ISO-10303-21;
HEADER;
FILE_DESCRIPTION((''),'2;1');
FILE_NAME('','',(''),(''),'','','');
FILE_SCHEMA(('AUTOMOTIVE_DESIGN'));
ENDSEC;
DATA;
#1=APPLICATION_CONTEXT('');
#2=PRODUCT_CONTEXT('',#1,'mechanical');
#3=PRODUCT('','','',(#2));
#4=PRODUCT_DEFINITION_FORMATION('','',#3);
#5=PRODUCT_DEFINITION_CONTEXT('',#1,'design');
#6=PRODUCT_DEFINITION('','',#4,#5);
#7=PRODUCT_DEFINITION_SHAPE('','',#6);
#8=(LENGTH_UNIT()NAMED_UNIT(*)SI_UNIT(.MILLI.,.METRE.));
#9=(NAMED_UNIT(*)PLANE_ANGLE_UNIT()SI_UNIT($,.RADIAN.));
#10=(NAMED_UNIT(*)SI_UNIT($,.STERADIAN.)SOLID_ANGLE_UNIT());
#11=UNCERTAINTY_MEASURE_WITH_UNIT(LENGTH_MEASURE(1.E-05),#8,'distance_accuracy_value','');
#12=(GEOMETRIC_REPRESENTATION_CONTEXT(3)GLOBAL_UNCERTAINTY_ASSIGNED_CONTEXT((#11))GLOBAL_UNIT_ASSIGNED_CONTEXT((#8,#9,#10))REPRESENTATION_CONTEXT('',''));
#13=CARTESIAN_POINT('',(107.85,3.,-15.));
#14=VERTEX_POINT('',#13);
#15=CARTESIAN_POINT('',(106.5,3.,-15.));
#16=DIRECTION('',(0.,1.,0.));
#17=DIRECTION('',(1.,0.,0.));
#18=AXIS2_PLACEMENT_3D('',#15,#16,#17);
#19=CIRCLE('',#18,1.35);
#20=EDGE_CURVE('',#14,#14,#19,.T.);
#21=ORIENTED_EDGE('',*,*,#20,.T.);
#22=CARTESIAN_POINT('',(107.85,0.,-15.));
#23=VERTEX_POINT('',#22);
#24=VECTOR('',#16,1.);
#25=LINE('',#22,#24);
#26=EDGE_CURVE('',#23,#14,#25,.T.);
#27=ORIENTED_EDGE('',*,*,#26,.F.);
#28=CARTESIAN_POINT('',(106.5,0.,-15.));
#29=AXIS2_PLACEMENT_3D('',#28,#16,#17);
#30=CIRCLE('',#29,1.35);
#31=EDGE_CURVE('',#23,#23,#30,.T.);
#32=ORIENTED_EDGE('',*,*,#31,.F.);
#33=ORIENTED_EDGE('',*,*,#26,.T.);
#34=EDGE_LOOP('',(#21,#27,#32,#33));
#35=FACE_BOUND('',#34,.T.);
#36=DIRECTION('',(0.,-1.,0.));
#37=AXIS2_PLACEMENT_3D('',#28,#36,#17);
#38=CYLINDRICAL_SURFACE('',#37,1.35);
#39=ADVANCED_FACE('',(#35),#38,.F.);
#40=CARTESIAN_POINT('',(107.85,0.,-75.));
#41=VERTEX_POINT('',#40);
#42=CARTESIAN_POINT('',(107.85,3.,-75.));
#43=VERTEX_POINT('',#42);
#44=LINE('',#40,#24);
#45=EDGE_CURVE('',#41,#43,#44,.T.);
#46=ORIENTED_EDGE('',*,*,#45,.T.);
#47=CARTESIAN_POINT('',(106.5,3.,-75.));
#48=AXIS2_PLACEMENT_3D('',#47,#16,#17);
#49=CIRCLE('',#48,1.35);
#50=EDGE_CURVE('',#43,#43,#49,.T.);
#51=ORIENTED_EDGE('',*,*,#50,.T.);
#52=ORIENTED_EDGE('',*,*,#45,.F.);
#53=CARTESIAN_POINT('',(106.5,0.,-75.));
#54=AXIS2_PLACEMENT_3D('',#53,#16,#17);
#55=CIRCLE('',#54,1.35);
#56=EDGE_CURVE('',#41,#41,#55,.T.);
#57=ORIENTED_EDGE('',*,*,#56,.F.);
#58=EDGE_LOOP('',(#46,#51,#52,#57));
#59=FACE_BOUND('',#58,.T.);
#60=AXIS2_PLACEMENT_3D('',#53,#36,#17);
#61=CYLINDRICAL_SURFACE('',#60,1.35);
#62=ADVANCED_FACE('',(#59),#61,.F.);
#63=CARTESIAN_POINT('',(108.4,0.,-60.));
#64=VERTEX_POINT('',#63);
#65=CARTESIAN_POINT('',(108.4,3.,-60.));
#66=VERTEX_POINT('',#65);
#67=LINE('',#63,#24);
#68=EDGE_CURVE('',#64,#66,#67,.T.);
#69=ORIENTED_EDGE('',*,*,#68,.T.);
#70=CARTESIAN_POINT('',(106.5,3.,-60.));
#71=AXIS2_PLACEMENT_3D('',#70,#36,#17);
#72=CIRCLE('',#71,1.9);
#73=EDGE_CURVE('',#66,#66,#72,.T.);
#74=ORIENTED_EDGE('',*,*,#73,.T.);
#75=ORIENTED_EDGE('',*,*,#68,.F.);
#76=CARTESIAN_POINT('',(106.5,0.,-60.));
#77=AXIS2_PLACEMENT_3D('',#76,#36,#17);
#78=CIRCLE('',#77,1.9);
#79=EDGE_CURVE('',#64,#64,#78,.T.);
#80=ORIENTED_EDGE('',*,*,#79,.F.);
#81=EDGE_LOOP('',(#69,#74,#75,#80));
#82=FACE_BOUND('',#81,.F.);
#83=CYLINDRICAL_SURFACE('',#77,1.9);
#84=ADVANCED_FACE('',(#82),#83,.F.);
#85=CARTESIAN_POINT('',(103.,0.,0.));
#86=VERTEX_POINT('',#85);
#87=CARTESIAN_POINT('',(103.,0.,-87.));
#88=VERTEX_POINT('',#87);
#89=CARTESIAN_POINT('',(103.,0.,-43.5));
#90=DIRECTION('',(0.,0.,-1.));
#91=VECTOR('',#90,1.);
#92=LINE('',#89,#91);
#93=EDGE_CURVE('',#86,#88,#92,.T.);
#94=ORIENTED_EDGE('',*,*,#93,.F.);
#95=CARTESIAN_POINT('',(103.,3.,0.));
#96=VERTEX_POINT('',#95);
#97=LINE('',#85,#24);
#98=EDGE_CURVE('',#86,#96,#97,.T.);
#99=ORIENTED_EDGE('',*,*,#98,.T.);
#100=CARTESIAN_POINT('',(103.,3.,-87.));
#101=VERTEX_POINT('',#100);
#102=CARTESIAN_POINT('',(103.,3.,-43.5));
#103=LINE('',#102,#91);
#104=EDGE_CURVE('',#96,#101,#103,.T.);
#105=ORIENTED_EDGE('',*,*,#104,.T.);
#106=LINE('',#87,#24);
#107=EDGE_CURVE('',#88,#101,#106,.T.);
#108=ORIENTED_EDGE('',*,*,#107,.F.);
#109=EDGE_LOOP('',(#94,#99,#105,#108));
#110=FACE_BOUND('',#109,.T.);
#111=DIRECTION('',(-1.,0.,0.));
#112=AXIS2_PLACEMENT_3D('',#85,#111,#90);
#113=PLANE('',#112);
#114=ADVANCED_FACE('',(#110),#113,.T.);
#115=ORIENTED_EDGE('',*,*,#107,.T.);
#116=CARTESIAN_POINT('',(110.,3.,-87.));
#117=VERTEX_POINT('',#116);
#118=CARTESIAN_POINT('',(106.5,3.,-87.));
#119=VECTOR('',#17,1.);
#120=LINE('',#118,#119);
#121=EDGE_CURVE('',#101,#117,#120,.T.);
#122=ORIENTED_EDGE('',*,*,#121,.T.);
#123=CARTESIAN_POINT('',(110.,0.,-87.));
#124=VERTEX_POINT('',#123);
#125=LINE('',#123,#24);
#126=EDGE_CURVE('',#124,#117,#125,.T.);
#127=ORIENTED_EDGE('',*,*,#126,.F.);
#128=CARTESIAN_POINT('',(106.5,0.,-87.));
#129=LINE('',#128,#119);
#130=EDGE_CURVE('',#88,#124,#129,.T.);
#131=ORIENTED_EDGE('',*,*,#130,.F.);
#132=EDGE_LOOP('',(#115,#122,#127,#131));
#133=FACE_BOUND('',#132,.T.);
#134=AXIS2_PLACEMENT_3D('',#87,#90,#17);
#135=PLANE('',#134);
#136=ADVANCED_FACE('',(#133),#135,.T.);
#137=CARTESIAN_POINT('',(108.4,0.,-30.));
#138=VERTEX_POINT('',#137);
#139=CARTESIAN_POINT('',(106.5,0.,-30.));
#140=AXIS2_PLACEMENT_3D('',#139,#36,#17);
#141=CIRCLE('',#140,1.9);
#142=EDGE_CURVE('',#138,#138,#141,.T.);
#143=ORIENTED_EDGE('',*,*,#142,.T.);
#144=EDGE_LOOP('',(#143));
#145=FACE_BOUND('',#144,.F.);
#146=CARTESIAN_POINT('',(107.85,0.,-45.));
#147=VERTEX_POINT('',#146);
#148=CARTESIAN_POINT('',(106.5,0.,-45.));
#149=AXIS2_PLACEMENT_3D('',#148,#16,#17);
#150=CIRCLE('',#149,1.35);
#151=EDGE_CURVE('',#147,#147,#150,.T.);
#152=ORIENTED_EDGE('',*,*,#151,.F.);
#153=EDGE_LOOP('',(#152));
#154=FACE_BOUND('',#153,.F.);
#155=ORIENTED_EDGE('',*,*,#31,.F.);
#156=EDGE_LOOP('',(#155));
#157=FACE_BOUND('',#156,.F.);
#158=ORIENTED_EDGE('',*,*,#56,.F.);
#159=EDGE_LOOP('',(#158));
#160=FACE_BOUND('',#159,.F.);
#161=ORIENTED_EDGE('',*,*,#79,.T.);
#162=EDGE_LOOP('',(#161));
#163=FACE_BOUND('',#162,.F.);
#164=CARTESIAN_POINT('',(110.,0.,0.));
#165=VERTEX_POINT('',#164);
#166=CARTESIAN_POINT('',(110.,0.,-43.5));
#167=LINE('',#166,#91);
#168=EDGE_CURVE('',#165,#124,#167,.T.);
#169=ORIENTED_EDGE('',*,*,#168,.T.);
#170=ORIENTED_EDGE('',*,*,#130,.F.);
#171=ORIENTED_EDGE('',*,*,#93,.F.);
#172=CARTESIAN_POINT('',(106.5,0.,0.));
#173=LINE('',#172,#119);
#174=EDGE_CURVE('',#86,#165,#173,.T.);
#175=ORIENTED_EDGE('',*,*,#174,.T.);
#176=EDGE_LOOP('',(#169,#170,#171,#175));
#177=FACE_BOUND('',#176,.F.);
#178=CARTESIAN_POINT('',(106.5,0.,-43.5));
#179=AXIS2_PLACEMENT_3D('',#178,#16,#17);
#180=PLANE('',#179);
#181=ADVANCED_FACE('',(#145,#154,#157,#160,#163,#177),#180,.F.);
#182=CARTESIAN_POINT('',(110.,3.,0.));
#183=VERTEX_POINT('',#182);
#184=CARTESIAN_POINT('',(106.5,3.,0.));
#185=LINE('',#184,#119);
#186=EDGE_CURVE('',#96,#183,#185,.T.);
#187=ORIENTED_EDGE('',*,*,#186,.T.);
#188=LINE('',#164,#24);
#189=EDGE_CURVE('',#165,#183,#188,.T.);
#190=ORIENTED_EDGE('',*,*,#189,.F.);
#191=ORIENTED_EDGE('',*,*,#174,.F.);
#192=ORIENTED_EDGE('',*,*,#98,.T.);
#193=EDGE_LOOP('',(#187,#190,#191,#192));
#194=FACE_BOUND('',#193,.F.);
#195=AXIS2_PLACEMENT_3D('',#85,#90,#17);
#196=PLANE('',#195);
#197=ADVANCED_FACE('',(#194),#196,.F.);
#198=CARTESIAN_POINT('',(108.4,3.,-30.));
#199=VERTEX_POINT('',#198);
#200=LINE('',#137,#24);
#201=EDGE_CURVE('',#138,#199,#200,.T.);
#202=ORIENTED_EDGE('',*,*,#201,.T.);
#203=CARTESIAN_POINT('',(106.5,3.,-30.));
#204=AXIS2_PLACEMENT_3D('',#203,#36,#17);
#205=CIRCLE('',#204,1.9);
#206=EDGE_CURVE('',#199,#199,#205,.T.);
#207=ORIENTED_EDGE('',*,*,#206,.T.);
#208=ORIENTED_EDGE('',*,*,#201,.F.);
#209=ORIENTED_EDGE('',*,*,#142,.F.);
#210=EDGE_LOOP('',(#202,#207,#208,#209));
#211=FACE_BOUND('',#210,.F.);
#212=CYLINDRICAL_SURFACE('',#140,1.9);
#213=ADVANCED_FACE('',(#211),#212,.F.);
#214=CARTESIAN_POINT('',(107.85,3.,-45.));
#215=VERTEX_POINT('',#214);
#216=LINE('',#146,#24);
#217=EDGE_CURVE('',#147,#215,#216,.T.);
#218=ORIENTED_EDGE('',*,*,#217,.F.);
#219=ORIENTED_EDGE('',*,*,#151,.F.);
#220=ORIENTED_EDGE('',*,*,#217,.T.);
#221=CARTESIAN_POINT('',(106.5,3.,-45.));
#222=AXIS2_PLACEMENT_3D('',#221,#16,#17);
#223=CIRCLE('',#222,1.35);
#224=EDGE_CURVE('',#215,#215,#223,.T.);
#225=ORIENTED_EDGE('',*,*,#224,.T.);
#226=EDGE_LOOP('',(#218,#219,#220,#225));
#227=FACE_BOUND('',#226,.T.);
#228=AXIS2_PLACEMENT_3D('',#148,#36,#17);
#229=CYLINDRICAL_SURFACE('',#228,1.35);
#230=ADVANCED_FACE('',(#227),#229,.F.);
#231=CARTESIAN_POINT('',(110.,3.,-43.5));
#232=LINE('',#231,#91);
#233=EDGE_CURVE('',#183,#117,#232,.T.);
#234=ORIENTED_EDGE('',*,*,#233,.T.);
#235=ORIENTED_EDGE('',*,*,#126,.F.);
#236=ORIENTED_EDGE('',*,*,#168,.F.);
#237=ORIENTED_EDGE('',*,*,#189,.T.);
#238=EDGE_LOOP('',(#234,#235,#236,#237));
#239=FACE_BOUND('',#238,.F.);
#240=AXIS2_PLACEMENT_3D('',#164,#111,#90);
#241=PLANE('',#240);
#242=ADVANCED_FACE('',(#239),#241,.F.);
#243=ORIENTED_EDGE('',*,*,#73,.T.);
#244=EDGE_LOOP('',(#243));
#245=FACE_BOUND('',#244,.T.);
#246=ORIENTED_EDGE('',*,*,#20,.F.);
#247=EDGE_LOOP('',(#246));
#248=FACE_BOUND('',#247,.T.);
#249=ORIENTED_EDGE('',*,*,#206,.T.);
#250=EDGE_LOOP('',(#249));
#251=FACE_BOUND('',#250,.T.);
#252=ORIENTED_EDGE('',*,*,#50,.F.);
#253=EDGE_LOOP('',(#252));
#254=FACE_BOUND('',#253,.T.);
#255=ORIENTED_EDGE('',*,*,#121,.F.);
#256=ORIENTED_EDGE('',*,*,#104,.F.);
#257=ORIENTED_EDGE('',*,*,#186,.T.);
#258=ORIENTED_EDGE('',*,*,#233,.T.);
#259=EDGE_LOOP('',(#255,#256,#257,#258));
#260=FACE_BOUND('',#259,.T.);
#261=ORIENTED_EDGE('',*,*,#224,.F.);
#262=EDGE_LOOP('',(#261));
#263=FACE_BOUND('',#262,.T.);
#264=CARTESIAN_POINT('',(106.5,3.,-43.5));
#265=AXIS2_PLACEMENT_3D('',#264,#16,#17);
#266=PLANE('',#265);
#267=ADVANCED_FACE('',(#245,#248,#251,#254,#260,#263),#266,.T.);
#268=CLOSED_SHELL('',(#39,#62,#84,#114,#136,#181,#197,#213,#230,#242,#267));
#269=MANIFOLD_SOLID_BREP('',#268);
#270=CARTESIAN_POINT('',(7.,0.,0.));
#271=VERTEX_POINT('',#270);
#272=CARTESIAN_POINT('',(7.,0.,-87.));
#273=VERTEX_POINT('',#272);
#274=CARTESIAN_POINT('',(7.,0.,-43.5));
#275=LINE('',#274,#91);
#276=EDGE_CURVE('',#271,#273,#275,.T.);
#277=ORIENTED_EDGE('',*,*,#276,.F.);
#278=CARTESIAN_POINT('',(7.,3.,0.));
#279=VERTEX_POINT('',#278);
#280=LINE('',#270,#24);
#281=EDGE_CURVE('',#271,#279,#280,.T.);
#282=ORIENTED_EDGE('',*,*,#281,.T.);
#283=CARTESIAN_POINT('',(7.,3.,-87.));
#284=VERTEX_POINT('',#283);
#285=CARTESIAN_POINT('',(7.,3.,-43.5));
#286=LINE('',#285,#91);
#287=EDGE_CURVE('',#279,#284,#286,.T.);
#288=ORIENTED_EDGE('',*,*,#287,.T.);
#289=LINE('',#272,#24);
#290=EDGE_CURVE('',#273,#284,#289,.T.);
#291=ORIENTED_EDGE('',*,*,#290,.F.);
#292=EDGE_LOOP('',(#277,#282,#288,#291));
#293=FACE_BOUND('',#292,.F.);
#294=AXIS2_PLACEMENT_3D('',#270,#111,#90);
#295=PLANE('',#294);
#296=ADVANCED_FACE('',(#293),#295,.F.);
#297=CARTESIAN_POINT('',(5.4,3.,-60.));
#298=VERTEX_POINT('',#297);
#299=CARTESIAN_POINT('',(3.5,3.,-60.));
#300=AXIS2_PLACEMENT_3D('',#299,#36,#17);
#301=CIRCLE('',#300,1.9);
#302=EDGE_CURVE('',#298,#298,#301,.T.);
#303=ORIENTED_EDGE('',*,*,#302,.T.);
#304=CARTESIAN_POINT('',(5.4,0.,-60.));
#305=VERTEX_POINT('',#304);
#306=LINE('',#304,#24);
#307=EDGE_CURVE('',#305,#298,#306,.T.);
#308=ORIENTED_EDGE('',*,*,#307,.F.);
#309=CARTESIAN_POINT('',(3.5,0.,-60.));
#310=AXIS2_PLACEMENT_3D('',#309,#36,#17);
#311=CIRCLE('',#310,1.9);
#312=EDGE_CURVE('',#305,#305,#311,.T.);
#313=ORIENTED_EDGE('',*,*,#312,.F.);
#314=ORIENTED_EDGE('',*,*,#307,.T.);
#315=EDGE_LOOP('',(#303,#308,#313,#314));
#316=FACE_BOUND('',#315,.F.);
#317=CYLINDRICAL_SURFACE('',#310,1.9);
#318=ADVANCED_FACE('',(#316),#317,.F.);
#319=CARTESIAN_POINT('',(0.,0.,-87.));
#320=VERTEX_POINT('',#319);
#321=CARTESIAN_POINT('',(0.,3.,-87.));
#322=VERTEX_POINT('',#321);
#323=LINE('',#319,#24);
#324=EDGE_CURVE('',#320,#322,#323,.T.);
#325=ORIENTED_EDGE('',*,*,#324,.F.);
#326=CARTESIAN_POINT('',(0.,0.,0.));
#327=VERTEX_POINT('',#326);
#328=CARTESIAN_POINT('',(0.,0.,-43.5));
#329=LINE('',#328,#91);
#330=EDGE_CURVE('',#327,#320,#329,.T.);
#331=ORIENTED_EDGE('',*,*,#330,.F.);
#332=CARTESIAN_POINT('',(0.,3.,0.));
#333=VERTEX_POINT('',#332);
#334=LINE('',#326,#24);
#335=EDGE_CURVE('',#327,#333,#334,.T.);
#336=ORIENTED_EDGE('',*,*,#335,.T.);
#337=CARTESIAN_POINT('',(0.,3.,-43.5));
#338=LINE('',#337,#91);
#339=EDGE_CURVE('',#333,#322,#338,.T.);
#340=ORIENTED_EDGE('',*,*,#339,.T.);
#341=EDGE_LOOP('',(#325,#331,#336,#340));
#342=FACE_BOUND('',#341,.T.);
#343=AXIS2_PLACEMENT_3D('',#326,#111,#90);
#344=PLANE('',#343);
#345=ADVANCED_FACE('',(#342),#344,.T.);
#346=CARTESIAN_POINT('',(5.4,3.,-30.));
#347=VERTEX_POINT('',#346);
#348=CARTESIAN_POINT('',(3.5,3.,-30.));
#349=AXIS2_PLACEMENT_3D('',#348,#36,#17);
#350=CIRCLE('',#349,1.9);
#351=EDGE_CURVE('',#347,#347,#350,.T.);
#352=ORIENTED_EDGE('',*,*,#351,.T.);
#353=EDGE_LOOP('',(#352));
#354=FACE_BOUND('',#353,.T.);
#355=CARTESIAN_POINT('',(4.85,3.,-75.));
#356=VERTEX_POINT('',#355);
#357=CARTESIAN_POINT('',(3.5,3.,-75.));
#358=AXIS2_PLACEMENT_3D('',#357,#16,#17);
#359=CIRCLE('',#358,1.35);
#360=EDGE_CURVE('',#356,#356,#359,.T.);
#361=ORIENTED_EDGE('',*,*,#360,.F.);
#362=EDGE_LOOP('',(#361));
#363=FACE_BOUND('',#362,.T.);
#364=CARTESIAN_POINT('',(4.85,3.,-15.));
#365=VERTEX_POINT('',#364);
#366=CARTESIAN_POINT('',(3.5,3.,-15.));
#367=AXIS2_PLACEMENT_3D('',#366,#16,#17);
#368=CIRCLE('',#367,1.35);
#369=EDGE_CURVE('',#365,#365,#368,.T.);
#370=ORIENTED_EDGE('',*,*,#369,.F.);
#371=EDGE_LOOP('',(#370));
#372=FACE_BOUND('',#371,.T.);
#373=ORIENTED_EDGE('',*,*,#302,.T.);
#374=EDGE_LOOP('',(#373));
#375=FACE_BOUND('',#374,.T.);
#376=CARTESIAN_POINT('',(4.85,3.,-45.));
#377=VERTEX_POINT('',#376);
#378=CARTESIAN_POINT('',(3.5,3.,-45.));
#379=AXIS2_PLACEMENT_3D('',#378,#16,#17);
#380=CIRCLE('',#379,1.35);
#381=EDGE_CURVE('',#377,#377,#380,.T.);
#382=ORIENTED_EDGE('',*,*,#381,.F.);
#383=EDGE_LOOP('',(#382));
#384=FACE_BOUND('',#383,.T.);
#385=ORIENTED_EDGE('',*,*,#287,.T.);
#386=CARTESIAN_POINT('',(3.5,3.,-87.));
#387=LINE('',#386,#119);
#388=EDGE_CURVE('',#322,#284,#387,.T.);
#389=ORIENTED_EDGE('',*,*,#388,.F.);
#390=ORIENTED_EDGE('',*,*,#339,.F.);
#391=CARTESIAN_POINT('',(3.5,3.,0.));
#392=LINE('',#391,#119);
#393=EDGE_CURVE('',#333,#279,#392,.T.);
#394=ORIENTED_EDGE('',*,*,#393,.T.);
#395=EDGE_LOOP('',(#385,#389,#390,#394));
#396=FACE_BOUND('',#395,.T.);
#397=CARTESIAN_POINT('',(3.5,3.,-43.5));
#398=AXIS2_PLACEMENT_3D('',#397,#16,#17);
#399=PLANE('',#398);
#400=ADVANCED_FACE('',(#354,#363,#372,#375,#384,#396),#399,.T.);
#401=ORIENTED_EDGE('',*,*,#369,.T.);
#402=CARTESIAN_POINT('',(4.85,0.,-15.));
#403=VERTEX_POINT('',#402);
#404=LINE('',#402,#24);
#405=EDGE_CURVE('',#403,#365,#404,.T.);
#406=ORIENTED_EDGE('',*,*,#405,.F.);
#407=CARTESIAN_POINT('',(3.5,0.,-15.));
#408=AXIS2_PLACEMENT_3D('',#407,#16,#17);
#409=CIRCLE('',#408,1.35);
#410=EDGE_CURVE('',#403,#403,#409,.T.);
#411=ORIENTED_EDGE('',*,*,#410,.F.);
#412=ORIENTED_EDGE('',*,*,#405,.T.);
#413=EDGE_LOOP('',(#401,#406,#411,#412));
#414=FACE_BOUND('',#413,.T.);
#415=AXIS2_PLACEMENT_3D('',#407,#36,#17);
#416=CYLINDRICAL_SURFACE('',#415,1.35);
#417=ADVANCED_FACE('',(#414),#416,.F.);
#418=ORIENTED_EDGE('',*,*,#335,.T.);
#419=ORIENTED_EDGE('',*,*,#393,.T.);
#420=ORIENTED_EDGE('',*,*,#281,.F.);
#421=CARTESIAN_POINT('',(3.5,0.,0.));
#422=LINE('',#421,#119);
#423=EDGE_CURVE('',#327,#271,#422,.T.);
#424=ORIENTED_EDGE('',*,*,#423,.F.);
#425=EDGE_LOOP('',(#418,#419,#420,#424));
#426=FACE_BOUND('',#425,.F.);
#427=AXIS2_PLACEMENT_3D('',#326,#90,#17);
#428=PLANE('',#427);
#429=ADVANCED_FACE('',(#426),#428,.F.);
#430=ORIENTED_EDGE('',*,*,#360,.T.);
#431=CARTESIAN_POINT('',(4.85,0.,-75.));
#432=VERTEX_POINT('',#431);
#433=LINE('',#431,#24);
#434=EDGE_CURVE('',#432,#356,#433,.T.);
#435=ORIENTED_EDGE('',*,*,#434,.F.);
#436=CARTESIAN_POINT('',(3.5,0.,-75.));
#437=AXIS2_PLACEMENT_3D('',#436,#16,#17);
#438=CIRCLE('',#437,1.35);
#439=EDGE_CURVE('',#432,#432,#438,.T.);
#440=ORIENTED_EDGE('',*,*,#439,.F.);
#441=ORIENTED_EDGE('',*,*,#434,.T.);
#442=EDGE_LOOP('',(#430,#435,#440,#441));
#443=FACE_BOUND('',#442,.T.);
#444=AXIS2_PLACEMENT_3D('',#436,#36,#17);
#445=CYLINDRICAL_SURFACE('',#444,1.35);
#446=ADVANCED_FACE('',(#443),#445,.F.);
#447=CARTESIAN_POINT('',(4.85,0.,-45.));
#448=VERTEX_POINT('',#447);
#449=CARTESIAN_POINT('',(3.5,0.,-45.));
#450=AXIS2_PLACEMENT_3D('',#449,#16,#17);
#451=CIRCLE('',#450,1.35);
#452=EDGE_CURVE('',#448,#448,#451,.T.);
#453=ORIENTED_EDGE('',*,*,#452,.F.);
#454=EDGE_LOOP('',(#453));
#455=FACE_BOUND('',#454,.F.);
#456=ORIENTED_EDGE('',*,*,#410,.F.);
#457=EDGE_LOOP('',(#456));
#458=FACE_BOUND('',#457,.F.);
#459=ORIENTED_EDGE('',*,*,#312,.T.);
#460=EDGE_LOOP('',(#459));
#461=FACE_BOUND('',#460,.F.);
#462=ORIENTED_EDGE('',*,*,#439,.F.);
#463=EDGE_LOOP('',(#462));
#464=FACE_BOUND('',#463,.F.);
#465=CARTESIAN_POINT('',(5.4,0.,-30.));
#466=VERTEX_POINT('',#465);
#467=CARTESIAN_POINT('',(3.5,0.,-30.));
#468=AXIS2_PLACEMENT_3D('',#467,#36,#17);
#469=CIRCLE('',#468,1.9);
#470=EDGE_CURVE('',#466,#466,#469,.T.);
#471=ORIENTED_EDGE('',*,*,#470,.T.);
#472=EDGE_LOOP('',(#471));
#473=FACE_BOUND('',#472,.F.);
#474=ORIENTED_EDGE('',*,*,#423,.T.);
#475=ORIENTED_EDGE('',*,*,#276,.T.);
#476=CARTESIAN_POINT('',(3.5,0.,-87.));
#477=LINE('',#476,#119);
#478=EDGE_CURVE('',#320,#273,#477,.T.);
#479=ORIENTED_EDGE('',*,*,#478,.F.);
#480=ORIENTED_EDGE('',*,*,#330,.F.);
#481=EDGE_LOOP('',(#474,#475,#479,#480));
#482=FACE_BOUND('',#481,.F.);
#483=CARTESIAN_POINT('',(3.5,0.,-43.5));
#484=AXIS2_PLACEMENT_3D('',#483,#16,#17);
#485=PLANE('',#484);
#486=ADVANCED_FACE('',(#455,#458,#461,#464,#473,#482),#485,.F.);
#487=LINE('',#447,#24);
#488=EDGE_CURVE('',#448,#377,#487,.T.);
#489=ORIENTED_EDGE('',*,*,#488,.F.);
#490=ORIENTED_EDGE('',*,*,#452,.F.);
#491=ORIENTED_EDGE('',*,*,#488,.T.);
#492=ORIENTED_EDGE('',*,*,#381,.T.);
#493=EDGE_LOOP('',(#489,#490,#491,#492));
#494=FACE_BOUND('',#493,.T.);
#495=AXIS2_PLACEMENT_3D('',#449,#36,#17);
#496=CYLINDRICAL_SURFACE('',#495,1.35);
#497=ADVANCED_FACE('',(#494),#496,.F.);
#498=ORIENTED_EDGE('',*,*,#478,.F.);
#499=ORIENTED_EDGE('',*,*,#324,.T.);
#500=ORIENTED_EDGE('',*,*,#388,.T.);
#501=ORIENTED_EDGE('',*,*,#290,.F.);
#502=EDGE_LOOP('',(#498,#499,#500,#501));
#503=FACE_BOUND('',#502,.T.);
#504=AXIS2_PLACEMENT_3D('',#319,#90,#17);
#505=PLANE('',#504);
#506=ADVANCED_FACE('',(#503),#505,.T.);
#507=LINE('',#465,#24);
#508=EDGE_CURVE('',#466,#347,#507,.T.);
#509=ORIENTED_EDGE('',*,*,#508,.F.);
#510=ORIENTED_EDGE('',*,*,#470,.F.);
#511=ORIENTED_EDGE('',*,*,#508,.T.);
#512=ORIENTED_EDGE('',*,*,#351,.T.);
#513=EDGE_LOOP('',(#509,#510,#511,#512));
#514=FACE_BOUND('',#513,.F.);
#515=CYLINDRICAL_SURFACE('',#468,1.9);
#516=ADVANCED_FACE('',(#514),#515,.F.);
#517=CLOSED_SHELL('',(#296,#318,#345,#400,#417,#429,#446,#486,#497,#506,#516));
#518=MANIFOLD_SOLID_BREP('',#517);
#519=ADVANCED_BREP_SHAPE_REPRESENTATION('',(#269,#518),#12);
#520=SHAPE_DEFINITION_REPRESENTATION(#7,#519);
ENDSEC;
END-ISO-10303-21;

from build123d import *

# Parameters (mm, degrees)
SKETCH1_W            = 7
SKETCH1_H            = 87
SKETCH1_R            = 1.35
SPACER_RAILS_DEPTH   = 3
SPACER_RAILS_2_DEPTH = 3
SKETCH2_R            = 1.9
CUT_EXTRUDE2_DEPTH   = 4


with BuildPart() as part:
    # Sketch1 → spacer-rails (new body)
    with BuildSketch(Plane(origin=(0, 0, 0), x_dir=(1, 0, 0), z_dir=(0, 1, 0))):
        with Locations((3.5, 43.5)):
            Rectangle(SKETCH1_W, SKETCH1_H)
        with Locations((3.5, 15)):
            Circle(SKETCH1_R, mode=Mode.SUBTRACT)
        with Locations((3.5, 30)):
            Circle(SKETCH1_R, mode=Mode.SUBTRACT)
        with Locations((3.5, 45)):
            Circle(SKETCH1_R, mode=Mode.SUBTRACT)
        with Locations((3.5, 60)):
            Circle(SKETCH1_R, mode=Mode.SUBTRACT)
        with Locations((3.5, 75)):
            Circle(SKETCH1_R, mode=Mode.SUBTRACT)
    extrude(amount=SPACER_RAILS_DEPTH)


with BuildPart() as body_2:
    # Sketch1 → spacer-rails 2 (new body)
    with BuildSketch(Plane(origin=(0, 0, 0), x_dir=(1, 0, 0), z_dir=(0, 1, 0))):
        with Locations((106.5, 43.5)):
            Rectangle(SKETCH1_W, SKETCH1_H)
        with Locations((106.5, 15)):
            Circle(SKETCH1_R, mode=Mode.SUBTRACT)
        with Locations((106.5, 30)):
            Circle(SKETCH1_R, mode=Mode.SUBTRACT)
        with Locations((106.5, 75)):
            Circle(SKETCH1_R, mode=Mode.SUBTRACT)
        with Locations((106.5, 60)):
            Circle(SKETCH1_R, mode=Mode.SUBTRACT)
        with Locations((106.5, 45)):
            Circle(SKETCH1_R, mode=Mode.SUBTRACT)
    extrude(amount=SPACER_RAILS_2_DEPTH)


with BuildPart() as cut_extrude2_tool:
    # Sketch2 → Cut-Extrude2 (new body, through all)
    with BuildSketch(Plane.XZ):
        with Locations((3.5, -30)):
            Circle(SKETCH2_R)
        with Locations((106.5, -30)):
            Circle(SKETCH2_R)
        with Locations((106.5, -60)):
            Circle(SKETCH2_R)
        with Locations((3.5, -60)):
            Circle(SKETCH2_R)
    extrude(amount=-CUT_EXTRUDE2_DEPTH)


with BuildPart() as part_1:
    add(part.part)

    # Cut-Extrude2: cut by cut_extrude2_tool
    add(cut_extrude2_tool.part, mode=Mode.SUBTRACT)


with BuildPart() as body_2_1:
    add(body_2.part)

    # Cut-Extrude2: cut by cut_extrude2_tool
    add(cut_extrude2_tool.part, mode=Mode.SUBTRACT)


solid = Compound([part_1.part, body_2_1.part])
